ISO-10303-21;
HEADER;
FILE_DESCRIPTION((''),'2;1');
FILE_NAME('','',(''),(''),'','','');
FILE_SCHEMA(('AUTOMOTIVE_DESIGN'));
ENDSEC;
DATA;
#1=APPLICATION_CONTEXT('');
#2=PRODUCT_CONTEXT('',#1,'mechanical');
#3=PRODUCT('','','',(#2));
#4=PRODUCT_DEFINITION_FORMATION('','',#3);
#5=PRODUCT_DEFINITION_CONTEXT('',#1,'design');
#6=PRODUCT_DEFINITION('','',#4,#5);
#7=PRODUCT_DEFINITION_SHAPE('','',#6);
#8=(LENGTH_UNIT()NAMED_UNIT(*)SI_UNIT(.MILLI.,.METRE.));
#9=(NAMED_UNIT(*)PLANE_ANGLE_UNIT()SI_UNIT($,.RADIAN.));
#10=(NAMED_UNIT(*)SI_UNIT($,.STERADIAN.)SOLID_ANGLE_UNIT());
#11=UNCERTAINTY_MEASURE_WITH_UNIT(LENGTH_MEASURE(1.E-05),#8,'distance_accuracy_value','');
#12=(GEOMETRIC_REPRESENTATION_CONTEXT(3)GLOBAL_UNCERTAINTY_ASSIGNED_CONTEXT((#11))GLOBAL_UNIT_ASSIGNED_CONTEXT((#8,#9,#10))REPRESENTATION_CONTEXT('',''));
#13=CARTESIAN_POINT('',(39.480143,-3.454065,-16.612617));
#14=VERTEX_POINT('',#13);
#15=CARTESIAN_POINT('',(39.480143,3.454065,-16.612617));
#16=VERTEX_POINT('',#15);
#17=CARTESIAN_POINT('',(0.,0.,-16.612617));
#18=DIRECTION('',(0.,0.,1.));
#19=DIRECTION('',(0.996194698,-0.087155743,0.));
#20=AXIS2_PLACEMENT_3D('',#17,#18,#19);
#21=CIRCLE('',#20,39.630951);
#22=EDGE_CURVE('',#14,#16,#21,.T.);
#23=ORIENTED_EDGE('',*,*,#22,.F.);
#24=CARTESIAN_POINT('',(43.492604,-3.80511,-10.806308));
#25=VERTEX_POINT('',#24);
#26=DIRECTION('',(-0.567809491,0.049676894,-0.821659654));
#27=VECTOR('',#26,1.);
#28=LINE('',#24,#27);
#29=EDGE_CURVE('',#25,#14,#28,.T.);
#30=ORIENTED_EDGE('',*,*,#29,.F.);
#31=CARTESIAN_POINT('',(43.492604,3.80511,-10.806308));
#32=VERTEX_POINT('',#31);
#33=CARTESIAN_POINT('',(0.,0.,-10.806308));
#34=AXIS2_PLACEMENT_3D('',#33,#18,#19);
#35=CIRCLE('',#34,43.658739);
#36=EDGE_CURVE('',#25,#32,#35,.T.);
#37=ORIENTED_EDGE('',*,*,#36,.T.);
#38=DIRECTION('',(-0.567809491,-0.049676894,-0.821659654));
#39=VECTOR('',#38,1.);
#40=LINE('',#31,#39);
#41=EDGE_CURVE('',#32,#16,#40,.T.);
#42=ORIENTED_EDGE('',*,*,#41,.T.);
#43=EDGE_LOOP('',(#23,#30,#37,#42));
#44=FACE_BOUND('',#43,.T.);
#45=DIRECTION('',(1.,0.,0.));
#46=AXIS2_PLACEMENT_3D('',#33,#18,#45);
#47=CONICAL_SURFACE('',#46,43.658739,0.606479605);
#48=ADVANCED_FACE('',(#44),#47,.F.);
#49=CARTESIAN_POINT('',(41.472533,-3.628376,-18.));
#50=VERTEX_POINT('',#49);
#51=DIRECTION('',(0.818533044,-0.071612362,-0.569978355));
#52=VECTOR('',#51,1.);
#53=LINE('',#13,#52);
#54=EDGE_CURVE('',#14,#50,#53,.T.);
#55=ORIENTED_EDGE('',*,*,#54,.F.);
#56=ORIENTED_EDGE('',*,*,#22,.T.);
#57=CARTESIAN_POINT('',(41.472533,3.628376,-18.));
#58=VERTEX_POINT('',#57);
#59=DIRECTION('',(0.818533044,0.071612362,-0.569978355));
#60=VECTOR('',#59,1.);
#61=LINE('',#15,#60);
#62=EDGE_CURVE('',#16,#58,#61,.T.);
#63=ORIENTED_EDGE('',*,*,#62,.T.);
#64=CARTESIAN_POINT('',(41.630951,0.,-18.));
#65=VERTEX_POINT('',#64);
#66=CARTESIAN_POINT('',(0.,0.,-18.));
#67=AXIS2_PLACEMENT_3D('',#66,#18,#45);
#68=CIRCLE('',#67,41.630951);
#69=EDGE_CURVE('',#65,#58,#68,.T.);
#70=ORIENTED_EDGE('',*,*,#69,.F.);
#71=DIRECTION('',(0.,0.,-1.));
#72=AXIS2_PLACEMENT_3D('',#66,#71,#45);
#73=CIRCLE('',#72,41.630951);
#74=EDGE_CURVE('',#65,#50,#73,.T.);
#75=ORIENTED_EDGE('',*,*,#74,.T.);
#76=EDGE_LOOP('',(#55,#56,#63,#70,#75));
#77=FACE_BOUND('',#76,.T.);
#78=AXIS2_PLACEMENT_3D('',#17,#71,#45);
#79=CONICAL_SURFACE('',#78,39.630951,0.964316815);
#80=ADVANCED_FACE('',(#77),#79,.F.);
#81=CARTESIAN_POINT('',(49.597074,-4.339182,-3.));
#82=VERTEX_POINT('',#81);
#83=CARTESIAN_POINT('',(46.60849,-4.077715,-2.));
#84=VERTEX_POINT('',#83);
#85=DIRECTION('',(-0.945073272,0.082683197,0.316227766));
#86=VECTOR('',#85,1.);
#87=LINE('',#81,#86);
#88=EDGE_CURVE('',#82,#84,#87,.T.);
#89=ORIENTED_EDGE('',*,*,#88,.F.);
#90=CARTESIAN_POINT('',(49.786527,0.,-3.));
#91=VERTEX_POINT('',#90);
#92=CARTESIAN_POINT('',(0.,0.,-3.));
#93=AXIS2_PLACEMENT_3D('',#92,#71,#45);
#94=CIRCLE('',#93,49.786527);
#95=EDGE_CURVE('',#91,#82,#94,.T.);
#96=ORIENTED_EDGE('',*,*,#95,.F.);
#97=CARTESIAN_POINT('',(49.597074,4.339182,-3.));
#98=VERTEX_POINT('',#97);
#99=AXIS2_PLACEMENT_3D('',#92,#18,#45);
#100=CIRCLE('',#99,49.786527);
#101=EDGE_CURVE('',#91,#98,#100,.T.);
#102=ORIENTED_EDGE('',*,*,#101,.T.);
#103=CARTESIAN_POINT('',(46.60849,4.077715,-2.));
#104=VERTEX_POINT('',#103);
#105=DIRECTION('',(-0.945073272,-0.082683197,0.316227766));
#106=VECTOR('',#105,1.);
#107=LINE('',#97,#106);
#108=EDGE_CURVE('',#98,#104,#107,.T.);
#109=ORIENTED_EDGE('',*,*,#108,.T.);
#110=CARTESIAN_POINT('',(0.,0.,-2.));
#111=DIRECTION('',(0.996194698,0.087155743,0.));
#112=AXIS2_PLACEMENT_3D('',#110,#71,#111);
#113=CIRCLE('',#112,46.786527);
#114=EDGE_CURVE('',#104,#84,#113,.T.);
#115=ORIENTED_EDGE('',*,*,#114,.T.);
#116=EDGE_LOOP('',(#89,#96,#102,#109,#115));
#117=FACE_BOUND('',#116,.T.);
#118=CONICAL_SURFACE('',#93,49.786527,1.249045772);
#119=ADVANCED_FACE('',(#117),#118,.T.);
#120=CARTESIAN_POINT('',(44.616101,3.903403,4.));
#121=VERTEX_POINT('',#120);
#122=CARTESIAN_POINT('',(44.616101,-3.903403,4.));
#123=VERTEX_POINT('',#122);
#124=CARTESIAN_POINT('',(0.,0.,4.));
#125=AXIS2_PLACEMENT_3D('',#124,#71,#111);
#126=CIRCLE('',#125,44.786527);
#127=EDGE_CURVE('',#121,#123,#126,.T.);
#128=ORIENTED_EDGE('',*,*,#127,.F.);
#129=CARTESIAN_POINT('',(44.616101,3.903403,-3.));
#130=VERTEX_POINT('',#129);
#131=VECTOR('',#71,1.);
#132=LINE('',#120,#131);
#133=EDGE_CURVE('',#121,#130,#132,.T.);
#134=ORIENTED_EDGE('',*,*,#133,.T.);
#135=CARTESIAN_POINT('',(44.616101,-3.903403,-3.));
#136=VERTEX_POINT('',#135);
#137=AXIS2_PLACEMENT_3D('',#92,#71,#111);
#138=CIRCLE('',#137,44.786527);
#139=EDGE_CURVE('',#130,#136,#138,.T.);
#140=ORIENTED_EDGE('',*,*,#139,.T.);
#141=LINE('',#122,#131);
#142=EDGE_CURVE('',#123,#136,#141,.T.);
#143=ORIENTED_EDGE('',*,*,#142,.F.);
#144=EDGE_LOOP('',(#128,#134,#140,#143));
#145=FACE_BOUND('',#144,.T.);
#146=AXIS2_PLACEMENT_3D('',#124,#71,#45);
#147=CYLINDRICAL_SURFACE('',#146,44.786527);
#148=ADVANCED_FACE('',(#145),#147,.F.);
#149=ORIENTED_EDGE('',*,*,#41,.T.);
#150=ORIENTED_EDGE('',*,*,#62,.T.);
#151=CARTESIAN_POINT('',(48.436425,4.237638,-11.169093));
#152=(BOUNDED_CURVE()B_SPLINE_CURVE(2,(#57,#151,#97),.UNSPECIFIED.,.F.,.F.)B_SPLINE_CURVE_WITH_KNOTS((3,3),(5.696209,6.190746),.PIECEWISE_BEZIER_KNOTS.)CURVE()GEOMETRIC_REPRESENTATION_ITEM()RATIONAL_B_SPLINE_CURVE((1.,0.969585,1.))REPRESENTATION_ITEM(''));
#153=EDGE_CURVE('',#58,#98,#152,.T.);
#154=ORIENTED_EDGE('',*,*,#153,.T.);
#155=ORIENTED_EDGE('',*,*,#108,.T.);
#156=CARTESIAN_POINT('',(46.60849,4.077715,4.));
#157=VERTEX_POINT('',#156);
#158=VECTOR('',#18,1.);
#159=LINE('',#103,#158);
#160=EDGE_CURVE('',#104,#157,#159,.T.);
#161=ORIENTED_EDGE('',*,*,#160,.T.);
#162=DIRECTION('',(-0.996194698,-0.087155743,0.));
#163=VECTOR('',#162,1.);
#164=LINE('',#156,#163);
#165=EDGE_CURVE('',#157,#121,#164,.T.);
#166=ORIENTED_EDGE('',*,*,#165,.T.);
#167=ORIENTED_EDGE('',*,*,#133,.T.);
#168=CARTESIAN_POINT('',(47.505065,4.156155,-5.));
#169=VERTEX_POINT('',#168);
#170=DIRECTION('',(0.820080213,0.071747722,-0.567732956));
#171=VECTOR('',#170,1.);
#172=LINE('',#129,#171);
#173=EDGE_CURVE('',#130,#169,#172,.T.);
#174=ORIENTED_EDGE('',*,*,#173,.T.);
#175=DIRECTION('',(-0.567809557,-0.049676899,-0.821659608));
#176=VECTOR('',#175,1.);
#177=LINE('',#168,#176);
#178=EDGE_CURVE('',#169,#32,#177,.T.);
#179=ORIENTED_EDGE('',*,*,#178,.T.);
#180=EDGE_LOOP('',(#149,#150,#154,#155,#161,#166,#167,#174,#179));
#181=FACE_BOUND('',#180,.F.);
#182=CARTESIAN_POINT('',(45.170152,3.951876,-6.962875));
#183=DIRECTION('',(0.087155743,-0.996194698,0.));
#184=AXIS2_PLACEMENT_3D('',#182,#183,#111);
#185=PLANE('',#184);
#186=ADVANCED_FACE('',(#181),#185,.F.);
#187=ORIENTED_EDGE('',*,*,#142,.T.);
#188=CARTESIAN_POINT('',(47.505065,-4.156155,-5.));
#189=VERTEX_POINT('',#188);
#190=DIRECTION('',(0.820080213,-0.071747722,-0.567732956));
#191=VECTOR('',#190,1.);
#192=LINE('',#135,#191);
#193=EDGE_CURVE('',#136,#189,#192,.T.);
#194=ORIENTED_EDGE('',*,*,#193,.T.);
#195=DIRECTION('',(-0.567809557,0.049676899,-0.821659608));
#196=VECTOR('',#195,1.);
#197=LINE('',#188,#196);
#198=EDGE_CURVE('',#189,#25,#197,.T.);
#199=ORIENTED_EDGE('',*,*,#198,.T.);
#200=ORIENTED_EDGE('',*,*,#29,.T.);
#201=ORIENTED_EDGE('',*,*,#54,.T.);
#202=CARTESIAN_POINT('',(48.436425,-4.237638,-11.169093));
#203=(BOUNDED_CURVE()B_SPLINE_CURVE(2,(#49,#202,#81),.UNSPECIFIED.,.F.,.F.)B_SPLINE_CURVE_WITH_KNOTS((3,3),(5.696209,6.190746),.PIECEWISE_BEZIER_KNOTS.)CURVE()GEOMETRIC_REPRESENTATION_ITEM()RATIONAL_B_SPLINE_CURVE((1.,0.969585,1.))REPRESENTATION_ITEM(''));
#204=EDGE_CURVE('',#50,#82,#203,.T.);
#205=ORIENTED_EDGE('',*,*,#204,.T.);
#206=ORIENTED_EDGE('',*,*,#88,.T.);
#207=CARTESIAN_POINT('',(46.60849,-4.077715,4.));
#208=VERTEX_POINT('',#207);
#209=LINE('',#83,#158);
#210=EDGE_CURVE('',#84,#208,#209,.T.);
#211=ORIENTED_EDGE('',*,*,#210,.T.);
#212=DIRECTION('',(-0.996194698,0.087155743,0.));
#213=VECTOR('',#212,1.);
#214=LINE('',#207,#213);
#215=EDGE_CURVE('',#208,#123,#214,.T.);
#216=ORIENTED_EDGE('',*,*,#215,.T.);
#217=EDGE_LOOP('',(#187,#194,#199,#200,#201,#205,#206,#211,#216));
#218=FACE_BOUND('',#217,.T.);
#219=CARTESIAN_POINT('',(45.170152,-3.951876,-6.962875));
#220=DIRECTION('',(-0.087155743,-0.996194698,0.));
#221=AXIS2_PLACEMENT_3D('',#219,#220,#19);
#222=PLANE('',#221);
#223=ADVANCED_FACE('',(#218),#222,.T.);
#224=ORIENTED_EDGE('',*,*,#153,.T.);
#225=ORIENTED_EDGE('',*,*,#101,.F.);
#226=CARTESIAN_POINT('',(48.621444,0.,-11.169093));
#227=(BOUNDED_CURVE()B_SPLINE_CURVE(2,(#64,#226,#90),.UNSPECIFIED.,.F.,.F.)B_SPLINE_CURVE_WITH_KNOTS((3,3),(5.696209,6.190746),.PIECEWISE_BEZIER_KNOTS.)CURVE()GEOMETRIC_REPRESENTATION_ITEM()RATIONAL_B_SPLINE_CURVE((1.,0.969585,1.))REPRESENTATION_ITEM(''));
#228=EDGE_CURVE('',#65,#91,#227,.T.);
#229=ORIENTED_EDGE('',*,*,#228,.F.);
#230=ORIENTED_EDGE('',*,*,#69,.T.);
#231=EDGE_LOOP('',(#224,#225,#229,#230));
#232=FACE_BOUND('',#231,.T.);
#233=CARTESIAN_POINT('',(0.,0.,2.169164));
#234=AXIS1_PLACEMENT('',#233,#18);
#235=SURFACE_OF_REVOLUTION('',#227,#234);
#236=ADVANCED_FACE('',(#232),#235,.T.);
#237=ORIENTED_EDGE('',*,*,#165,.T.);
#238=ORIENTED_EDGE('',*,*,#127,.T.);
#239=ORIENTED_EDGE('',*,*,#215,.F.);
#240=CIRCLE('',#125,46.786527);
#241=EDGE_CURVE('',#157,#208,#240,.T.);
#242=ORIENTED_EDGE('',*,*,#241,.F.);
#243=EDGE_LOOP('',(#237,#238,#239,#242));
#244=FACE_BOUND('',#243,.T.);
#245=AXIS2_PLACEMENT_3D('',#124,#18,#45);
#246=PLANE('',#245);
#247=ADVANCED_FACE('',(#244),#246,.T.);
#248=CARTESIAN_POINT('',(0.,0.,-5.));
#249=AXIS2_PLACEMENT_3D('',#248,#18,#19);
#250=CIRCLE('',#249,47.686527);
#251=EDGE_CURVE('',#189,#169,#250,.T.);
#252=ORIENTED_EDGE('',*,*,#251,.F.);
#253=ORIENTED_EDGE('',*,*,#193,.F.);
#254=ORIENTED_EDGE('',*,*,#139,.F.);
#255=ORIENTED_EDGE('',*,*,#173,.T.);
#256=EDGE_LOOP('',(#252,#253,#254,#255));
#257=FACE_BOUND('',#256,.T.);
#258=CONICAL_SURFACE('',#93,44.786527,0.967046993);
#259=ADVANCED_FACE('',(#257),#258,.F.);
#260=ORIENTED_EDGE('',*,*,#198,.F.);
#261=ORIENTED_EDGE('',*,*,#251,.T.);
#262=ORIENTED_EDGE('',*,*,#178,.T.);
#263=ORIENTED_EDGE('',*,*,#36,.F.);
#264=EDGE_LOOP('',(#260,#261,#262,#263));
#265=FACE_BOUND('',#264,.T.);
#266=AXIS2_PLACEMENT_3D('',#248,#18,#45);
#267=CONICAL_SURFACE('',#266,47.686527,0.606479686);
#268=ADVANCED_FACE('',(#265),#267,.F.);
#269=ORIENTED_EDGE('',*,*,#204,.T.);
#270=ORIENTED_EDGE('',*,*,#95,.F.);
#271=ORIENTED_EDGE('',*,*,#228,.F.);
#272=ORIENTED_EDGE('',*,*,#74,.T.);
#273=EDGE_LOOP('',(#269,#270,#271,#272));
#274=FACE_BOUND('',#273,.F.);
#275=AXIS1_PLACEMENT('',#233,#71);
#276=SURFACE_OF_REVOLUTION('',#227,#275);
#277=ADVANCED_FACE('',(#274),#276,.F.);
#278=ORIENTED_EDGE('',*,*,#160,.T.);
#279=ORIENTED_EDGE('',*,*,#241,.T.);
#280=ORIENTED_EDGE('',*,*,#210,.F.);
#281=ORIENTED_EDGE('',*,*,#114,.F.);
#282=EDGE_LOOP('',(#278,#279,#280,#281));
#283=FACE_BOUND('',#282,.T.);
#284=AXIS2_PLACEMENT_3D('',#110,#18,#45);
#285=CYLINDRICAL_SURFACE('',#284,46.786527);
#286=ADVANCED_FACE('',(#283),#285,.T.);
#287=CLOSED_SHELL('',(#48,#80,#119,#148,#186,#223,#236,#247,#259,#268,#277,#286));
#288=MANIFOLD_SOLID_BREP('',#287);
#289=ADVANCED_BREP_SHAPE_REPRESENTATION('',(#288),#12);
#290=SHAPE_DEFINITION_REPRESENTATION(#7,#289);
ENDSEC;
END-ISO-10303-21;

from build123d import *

# Parameters (mm, degrees)
F1_ANGLE = 10


with BuildPart() as f1:
    # F0 (on Front) → F1 (revolve, symmetric)
    with BuildSketch(Plane.XZ) as f1_sk:
        with BuildLine():
            Line((39.630951, -16.612617), (41.630951, -18))
            add(Edge.make_bspline(
                [(41.630951, -18), (48.621444, -11.169093), (49.786527, -3)],
                knots=[5.696209, 5.696209, 5.696209, 6.190746, 6.190746, 6.190746], degree=2, weights=[1, 0.969585, 1]))
            Line((49.786527, -3), (46.786527, -2))
            Line((46.786527, -2), (46.786527, 4))
            Line((46.786527, 4), (44.786527, 4))
            Line((44.786527, 4), (44.786527, -3))
            Line((44.786527, -3), (47.686527, -5))
            Line((47.686527, -5), (43.658739, -10.806308))
            Line((43.658739, -10.806308), (39.630951, -16.612617))
        make_face()
    revolve(axis=Axis((0, 0, 2.169164), (0, 0, -1)), revolution_arc=F1_ANGLE / 2)
    revolve(f1_sk.sketch, axis=Axis((0, 0, 2.169164), (0, 0, 1)), revolution_arc=F1_ANGLE / 2)


solid = f1.part
